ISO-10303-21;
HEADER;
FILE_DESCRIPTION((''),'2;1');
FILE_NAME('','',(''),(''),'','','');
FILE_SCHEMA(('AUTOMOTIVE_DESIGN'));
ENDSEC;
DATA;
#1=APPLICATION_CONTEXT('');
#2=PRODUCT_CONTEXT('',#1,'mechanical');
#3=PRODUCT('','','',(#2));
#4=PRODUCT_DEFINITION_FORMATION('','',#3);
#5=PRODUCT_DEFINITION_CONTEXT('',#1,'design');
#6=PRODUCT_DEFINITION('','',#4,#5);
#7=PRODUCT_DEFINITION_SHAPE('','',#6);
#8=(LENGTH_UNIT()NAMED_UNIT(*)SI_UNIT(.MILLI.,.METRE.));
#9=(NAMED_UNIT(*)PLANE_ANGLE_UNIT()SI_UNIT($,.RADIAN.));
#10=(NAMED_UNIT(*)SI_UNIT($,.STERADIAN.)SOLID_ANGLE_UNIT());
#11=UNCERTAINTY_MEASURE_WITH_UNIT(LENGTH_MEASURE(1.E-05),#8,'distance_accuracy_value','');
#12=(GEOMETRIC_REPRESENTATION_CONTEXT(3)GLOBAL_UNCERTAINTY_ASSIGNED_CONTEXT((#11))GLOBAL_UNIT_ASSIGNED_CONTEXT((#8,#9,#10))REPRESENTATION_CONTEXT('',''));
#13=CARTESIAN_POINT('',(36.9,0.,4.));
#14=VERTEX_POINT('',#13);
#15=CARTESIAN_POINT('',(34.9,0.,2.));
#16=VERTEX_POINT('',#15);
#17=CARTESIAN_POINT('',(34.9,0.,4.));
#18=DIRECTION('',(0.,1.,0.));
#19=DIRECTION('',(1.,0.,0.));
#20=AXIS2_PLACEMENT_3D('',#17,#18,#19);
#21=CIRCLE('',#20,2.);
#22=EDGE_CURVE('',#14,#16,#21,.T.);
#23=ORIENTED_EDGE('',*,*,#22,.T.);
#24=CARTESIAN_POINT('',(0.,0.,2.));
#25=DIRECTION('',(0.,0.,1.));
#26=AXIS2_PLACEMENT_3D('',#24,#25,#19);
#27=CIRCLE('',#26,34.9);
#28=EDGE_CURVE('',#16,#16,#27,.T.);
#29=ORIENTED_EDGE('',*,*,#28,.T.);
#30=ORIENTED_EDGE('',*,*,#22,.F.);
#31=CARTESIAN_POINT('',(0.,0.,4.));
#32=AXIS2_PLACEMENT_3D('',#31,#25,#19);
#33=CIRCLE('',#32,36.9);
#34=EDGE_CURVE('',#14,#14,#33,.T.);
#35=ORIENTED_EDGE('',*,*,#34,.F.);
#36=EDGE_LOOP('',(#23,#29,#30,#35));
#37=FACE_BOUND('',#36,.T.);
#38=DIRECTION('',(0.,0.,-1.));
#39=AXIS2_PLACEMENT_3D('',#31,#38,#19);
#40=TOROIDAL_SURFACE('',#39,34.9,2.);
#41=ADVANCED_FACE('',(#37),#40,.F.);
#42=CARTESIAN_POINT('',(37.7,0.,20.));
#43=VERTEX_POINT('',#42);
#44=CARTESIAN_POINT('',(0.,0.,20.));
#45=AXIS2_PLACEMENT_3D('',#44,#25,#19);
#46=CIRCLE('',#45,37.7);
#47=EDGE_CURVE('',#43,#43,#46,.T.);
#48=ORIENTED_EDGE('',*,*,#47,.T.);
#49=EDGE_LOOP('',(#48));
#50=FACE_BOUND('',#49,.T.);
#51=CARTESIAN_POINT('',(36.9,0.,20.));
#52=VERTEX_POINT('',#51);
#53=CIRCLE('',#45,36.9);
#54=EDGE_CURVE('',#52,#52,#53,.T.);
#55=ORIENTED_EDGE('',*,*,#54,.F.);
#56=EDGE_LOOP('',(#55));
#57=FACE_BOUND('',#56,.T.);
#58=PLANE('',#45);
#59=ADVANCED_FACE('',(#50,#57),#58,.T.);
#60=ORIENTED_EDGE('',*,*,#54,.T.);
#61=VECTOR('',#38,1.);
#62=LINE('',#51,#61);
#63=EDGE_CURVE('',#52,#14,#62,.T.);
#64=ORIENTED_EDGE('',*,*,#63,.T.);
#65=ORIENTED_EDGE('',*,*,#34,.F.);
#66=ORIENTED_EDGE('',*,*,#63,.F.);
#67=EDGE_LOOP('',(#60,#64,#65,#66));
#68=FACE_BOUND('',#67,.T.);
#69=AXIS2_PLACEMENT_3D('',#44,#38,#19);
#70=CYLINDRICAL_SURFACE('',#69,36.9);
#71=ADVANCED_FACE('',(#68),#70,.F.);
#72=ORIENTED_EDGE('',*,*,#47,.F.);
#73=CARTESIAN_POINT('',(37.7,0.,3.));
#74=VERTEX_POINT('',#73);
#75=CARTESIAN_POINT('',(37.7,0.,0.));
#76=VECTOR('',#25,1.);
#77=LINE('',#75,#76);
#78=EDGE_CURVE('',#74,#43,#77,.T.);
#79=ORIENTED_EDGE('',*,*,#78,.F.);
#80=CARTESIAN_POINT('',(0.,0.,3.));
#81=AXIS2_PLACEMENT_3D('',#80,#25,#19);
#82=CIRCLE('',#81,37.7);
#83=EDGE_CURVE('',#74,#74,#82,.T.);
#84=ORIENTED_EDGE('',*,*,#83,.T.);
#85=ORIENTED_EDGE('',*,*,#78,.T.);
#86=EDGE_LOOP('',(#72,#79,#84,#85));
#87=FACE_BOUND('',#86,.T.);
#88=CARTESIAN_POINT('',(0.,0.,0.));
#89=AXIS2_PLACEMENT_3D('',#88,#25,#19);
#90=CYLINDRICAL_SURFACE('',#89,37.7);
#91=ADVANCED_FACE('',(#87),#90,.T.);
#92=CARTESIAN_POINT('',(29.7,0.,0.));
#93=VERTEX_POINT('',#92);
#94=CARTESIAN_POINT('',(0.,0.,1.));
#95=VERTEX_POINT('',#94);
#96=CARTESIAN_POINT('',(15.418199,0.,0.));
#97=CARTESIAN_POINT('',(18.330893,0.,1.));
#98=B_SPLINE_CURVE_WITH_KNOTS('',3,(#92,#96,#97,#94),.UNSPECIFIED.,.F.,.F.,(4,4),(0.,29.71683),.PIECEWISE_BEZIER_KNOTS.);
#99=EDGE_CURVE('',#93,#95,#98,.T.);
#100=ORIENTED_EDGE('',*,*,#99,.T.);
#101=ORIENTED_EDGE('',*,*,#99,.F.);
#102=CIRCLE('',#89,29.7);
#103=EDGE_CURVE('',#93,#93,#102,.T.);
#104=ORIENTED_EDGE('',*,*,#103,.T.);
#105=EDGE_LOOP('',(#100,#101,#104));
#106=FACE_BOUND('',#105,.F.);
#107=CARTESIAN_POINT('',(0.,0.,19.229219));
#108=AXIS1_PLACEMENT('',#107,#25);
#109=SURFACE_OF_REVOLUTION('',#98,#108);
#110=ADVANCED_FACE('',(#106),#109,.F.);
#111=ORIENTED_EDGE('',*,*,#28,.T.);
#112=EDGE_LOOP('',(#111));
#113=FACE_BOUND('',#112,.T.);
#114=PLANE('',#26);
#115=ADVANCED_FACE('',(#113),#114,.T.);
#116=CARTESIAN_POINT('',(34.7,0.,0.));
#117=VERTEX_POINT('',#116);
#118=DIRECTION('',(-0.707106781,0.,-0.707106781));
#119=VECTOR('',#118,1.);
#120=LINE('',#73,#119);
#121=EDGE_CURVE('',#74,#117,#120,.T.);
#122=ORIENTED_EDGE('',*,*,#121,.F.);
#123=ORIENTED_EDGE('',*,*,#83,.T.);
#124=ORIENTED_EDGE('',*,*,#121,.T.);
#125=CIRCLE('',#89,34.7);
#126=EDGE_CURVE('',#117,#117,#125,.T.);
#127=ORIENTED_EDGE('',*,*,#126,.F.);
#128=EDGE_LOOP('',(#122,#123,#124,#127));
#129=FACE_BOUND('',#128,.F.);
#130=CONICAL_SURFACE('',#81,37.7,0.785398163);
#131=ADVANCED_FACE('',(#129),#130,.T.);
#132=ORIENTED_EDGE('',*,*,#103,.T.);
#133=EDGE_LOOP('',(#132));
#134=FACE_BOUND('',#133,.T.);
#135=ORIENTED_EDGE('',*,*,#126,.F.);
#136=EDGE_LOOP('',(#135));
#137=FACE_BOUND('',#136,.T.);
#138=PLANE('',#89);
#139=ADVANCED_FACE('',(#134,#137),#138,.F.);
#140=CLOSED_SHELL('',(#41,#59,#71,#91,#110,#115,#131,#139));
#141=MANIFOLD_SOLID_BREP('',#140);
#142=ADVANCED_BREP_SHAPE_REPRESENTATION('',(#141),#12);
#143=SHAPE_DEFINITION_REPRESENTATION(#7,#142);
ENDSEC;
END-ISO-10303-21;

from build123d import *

# Parameters (mm, degrees)
F2_R    = 2
F3_SIZE = 3


with BuildPart() as f1:
    # F0 (on Front) → F1 (revolve)
    with BuildSketch(Plane.XZ):
        with BuildLine():
            Line((36.9, 20), (36.9, 2))
            Line((36.9, 2), (0, 2))
            Line((0, 2), (0, 1))
            add(Edge.make_bspline(
                [(29.7, 0), (15.418199, 0), (18.330893, 1), (0, 1)],
                knots=[0, 0, 0, 0, 29.71683, 29.71683, 29.71683, 29.71683], degree=3))
            Line((29.7, 0), (37.7, 0))
            Line((37.7, 0), (37.7, 20))
            Line((37.7, 20), (36.9, 20))
        make_face()
    revolve(axis=Axis((0, 0, 19.229219), (0, 0, 1)))

    # F2
    f2_edges = [f1.edges().sort_by_distance(p)[0] for p in [
        (-36.9, 0, 2),
    ]]
    fillet(f2_edges, radius=F2_R)

    # F3
    f3_edges = [f1.edges().sort_by_distance(p)[0] for p in [
        (-37.7, 0, 0),
    ]]
    chamfer(f3_edges, length=F3_SIZE)


solid = f1.part
